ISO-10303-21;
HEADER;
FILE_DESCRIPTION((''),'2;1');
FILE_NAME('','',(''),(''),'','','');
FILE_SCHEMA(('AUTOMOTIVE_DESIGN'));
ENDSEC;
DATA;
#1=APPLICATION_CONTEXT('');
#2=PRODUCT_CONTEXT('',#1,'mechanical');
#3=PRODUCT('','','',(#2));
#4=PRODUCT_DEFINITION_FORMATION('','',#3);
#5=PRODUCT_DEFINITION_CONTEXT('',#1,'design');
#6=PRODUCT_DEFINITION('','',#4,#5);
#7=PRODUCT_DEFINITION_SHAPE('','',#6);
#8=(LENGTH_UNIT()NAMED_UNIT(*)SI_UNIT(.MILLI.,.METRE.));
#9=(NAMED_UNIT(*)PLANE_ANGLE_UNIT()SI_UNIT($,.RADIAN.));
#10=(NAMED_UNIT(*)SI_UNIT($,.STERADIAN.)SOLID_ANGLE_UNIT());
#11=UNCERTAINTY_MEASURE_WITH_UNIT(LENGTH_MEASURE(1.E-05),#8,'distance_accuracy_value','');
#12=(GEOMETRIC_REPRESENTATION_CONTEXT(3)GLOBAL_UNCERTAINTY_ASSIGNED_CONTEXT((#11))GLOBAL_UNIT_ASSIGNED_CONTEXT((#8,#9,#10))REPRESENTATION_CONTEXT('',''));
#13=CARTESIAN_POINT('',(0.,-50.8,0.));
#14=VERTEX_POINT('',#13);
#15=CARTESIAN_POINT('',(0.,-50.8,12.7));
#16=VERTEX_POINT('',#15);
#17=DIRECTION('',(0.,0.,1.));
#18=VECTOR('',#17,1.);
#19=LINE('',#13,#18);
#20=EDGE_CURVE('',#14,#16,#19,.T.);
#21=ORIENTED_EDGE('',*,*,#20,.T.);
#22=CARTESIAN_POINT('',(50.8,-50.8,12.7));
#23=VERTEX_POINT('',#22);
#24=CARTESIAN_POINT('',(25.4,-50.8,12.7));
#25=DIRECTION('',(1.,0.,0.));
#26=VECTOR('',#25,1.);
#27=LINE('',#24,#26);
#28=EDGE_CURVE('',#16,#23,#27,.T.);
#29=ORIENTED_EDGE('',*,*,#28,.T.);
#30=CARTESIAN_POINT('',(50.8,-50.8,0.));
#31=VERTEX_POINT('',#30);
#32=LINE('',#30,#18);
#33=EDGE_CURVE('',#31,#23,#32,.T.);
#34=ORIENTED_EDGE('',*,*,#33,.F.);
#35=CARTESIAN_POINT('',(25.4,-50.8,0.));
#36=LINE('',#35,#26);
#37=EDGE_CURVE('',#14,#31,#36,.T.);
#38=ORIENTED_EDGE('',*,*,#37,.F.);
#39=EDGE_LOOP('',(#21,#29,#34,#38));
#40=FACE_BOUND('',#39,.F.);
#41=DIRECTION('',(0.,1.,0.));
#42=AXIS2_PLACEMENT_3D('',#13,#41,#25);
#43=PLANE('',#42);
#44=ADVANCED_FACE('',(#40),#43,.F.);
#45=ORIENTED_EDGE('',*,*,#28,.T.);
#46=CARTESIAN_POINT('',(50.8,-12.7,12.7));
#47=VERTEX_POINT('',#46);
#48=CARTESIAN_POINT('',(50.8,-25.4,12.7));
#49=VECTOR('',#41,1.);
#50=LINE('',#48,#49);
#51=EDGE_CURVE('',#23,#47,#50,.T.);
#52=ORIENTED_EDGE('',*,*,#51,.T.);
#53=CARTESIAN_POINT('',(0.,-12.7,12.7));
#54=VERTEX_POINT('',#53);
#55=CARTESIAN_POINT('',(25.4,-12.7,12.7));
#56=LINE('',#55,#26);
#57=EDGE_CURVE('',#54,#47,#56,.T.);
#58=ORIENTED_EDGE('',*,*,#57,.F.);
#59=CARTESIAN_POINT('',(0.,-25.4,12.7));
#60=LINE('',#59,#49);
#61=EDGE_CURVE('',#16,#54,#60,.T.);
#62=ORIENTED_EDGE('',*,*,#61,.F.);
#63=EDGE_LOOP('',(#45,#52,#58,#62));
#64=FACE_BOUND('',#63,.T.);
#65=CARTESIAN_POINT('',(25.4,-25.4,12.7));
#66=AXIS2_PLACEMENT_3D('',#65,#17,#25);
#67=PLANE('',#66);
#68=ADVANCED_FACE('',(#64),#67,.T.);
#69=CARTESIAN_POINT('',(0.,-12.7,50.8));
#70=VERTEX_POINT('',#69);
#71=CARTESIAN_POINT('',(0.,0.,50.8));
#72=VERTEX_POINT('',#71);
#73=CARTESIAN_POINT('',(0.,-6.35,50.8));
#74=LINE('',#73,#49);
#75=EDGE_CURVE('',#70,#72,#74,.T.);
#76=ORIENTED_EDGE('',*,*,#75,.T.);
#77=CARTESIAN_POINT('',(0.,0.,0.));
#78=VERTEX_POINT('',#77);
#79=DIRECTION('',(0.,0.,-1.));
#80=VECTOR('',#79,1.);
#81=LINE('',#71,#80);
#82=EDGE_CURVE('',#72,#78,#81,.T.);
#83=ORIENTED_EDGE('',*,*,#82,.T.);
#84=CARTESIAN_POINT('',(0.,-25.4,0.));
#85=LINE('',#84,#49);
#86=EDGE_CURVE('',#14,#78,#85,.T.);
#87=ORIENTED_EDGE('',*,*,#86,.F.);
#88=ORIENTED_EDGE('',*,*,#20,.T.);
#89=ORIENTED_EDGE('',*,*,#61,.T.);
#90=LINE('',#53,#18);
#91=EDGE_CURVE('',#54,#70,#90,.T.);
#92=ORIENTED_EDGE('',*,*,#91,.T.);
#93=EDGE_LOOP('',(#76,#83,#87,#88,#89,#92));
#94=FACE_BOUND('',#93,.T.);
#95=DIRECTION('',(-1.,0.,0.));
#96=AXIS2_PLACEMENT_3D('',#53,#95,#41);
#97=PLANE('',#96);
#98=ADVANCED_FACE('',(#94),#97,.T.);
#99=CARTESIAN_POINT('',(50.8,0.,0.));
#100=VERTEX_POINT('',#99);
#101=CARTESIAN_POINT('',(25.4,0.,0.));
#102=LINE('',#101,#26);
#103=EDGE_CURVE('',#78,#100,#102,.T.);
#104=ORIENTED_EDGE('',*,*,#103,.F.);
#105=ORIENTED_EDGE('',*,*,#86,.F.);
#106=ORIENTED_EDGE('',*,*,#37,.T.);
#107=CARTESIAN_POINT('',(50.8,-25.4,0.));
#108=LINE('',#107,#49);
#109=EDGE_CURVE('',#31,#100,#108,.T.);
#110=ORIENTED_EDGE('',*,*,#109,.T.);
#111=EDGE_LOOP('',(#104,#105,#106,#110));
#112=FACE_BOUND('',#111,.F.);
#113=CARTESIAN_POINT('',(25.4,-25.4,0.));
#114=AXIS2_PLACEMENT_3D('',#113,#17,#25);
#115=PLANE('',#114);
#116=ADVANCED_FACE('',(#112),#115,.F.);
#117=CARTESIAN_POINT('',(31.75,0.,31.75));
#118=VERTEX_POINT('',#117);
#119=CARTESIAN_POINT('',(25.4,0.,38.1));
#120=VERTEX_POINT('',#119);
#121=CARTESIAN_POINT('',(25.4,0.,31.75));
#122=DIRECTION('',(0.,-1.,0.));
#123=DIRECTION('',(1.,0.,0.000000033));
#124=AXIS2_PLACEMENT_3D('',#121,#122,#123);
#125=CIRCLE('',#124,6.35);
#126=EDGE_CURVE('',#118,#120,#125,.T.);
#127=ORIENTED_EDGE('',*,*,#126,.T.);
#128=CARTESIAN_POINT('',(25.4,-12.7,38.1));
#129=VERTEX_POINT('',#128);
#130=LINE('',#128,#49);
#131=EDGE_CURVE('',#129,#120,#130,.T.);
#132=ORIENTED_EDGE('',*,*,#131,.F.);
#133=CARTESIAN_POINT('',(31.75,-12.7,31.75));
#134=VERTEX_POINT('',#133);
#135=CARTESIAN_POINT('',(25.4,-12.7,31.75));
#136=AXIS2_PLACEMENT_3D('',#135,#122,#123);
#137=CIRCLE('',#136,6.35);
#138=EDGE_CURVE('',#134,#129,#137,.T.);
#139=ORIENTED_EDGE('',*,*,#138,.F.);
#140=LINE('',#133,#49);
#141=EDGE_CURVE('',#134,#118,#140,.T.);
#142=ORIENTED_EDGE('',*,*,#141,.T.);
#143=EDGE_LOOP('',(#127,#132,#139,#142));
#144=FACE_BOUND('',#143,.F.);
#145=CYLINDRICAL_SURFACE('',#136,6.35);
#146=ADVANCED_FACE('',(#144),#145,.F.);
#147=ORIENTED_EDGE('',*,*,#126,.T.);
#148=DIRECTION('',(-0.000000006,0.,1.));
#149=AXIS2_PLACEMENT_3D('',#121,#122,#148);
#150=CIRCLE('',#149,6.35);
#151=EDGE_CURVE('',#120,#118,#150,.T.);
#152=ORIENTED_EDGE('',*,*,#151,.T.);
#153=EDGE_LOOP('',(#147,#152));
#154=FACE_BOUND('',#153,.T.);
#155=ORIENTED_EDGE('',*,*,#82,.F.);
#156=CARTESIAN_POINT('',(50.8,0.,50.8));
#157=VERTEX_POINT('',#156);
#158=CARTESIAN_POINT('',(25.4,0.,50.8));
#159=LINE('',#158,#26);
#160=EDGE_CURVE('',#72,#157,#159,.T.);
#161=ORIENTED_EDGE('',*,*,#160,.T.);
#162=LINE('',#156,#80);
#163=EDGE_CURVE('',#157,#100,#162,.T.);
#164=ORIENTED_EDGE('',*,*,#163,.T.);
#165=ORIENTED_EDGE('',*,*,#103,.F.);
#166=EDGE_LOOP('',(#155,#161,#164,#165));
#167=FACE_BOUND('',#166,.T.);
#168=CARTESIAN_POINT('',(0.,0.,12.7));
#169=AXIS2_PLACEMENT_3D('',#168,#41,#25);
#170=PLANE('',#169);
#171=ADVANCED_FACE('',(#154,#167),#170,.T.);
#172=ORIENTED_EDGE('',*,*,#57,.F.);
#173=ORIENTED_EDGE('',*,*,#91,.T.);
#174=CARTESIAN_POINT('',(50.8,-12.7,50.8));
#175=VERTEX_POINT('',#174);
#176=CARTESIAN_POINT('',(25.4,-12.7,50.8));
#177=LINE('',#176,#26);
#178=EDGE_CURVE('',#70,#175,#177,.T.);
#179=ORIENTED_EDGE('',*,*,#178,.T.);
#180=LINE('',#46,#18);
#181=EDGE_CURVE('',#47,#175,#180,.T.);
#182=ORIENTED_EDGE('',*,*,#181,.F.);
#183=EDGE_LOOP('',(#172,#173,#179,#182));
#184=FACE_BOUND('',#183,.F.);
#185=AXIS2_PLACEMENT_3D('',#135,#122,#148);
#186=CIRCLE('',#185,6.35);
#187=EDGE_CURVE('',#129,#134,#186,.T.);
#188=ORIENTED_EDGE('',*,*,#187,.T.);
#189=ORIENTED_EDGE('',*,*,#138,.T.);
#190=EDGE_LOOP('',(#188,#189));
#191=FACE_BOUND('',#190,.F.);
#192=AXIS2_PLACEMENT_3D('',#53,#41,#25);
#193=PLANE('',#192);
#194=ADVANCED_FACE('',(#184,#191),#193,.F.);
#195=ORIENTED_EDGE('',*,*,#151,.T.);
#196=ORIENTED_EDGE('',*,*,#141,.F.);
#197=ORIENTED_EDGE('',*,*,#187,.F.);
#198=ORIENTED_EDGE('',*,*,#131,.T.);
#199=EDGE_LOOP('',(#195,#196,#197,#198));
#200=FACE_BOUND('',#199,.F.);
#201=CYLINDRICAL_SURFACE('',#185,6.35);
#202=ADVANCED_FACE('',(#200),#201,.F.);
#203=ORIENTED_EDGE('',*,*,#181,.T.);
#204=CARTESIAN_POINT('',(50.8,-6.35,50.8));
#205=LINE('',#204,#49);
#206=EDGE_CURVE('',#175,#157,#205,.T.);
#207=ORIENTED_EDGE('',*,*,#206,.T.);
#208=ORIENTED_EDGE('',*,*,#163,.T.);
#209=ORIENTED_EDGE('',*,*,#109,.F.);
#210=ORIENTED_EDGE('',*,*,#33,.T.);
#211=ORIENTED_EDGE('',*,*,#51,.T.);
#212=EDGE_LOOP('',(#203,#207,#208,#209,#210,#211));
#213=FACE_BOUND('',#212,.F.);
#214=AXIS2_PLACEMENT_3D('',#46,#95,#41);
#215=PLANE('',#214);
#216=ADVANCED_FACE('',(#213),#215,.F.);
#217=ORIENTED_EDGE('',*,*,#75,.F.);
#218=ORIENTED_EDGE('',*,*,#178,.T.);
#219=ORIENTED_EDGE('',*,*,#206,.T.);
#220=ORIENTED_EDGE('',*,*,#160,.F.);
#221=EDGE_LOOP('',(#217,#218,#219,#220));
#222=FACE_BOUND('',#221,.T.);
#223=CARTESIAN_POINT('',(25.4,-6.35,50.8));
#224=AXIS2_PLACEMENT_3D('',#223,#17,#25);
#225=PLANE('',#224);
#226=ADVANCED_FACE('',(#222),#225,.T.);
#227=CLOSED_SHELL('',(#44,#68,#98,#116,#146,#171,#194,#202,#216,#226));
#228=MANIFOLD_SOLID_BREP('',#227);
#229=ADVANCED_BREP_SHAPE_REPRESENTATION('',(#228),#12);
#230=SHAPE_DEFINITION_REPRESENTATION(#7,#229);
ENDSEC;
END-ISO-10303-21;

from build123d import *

# Parameters (mm, degrees)
F0_W     = 50.8
F0_H     = 50.8
F1_DEPTH = 12.7
F2_W     = 50.8
F2_H     = 12.7
F3_DEPTH = 38.1
F5_DEPTH = 55.88


with BuildPart() as f1:
    # F0 (on Top) → F1 (new body)
    with BuildSketch(Plane.XY):
        with Locations((25.4, -25.4)):
            Rectangle(F0_W, F0_H)
    extrude(amount=F1_DEPTH)

    # F2 (on face) → F3 (join)
    with BuildSketch(Plane.XY.offset(12.7)):
        with Locations((25.4, -6.35)):
            Rectangle(F2_W, F2_H)
    extrude(amount=F3_DEPTH)

    # F4 (on face) → F5 (cut)
    with BuildSketch(Plane.XZ.offset(12.7)):
        with BuildLine():
            ThreePointArc((25.4, 38.1), (20.909872, 27.259872), (31.75, 31.75))
            ThreePointArc((31.75, 31.75), (29.890128, 36.240128), (25.4, 38.1))
        make_face()
    extrude(amount=-F5_DEPTH, mode=Mode.SUBTRACT)


solid = f1.part
